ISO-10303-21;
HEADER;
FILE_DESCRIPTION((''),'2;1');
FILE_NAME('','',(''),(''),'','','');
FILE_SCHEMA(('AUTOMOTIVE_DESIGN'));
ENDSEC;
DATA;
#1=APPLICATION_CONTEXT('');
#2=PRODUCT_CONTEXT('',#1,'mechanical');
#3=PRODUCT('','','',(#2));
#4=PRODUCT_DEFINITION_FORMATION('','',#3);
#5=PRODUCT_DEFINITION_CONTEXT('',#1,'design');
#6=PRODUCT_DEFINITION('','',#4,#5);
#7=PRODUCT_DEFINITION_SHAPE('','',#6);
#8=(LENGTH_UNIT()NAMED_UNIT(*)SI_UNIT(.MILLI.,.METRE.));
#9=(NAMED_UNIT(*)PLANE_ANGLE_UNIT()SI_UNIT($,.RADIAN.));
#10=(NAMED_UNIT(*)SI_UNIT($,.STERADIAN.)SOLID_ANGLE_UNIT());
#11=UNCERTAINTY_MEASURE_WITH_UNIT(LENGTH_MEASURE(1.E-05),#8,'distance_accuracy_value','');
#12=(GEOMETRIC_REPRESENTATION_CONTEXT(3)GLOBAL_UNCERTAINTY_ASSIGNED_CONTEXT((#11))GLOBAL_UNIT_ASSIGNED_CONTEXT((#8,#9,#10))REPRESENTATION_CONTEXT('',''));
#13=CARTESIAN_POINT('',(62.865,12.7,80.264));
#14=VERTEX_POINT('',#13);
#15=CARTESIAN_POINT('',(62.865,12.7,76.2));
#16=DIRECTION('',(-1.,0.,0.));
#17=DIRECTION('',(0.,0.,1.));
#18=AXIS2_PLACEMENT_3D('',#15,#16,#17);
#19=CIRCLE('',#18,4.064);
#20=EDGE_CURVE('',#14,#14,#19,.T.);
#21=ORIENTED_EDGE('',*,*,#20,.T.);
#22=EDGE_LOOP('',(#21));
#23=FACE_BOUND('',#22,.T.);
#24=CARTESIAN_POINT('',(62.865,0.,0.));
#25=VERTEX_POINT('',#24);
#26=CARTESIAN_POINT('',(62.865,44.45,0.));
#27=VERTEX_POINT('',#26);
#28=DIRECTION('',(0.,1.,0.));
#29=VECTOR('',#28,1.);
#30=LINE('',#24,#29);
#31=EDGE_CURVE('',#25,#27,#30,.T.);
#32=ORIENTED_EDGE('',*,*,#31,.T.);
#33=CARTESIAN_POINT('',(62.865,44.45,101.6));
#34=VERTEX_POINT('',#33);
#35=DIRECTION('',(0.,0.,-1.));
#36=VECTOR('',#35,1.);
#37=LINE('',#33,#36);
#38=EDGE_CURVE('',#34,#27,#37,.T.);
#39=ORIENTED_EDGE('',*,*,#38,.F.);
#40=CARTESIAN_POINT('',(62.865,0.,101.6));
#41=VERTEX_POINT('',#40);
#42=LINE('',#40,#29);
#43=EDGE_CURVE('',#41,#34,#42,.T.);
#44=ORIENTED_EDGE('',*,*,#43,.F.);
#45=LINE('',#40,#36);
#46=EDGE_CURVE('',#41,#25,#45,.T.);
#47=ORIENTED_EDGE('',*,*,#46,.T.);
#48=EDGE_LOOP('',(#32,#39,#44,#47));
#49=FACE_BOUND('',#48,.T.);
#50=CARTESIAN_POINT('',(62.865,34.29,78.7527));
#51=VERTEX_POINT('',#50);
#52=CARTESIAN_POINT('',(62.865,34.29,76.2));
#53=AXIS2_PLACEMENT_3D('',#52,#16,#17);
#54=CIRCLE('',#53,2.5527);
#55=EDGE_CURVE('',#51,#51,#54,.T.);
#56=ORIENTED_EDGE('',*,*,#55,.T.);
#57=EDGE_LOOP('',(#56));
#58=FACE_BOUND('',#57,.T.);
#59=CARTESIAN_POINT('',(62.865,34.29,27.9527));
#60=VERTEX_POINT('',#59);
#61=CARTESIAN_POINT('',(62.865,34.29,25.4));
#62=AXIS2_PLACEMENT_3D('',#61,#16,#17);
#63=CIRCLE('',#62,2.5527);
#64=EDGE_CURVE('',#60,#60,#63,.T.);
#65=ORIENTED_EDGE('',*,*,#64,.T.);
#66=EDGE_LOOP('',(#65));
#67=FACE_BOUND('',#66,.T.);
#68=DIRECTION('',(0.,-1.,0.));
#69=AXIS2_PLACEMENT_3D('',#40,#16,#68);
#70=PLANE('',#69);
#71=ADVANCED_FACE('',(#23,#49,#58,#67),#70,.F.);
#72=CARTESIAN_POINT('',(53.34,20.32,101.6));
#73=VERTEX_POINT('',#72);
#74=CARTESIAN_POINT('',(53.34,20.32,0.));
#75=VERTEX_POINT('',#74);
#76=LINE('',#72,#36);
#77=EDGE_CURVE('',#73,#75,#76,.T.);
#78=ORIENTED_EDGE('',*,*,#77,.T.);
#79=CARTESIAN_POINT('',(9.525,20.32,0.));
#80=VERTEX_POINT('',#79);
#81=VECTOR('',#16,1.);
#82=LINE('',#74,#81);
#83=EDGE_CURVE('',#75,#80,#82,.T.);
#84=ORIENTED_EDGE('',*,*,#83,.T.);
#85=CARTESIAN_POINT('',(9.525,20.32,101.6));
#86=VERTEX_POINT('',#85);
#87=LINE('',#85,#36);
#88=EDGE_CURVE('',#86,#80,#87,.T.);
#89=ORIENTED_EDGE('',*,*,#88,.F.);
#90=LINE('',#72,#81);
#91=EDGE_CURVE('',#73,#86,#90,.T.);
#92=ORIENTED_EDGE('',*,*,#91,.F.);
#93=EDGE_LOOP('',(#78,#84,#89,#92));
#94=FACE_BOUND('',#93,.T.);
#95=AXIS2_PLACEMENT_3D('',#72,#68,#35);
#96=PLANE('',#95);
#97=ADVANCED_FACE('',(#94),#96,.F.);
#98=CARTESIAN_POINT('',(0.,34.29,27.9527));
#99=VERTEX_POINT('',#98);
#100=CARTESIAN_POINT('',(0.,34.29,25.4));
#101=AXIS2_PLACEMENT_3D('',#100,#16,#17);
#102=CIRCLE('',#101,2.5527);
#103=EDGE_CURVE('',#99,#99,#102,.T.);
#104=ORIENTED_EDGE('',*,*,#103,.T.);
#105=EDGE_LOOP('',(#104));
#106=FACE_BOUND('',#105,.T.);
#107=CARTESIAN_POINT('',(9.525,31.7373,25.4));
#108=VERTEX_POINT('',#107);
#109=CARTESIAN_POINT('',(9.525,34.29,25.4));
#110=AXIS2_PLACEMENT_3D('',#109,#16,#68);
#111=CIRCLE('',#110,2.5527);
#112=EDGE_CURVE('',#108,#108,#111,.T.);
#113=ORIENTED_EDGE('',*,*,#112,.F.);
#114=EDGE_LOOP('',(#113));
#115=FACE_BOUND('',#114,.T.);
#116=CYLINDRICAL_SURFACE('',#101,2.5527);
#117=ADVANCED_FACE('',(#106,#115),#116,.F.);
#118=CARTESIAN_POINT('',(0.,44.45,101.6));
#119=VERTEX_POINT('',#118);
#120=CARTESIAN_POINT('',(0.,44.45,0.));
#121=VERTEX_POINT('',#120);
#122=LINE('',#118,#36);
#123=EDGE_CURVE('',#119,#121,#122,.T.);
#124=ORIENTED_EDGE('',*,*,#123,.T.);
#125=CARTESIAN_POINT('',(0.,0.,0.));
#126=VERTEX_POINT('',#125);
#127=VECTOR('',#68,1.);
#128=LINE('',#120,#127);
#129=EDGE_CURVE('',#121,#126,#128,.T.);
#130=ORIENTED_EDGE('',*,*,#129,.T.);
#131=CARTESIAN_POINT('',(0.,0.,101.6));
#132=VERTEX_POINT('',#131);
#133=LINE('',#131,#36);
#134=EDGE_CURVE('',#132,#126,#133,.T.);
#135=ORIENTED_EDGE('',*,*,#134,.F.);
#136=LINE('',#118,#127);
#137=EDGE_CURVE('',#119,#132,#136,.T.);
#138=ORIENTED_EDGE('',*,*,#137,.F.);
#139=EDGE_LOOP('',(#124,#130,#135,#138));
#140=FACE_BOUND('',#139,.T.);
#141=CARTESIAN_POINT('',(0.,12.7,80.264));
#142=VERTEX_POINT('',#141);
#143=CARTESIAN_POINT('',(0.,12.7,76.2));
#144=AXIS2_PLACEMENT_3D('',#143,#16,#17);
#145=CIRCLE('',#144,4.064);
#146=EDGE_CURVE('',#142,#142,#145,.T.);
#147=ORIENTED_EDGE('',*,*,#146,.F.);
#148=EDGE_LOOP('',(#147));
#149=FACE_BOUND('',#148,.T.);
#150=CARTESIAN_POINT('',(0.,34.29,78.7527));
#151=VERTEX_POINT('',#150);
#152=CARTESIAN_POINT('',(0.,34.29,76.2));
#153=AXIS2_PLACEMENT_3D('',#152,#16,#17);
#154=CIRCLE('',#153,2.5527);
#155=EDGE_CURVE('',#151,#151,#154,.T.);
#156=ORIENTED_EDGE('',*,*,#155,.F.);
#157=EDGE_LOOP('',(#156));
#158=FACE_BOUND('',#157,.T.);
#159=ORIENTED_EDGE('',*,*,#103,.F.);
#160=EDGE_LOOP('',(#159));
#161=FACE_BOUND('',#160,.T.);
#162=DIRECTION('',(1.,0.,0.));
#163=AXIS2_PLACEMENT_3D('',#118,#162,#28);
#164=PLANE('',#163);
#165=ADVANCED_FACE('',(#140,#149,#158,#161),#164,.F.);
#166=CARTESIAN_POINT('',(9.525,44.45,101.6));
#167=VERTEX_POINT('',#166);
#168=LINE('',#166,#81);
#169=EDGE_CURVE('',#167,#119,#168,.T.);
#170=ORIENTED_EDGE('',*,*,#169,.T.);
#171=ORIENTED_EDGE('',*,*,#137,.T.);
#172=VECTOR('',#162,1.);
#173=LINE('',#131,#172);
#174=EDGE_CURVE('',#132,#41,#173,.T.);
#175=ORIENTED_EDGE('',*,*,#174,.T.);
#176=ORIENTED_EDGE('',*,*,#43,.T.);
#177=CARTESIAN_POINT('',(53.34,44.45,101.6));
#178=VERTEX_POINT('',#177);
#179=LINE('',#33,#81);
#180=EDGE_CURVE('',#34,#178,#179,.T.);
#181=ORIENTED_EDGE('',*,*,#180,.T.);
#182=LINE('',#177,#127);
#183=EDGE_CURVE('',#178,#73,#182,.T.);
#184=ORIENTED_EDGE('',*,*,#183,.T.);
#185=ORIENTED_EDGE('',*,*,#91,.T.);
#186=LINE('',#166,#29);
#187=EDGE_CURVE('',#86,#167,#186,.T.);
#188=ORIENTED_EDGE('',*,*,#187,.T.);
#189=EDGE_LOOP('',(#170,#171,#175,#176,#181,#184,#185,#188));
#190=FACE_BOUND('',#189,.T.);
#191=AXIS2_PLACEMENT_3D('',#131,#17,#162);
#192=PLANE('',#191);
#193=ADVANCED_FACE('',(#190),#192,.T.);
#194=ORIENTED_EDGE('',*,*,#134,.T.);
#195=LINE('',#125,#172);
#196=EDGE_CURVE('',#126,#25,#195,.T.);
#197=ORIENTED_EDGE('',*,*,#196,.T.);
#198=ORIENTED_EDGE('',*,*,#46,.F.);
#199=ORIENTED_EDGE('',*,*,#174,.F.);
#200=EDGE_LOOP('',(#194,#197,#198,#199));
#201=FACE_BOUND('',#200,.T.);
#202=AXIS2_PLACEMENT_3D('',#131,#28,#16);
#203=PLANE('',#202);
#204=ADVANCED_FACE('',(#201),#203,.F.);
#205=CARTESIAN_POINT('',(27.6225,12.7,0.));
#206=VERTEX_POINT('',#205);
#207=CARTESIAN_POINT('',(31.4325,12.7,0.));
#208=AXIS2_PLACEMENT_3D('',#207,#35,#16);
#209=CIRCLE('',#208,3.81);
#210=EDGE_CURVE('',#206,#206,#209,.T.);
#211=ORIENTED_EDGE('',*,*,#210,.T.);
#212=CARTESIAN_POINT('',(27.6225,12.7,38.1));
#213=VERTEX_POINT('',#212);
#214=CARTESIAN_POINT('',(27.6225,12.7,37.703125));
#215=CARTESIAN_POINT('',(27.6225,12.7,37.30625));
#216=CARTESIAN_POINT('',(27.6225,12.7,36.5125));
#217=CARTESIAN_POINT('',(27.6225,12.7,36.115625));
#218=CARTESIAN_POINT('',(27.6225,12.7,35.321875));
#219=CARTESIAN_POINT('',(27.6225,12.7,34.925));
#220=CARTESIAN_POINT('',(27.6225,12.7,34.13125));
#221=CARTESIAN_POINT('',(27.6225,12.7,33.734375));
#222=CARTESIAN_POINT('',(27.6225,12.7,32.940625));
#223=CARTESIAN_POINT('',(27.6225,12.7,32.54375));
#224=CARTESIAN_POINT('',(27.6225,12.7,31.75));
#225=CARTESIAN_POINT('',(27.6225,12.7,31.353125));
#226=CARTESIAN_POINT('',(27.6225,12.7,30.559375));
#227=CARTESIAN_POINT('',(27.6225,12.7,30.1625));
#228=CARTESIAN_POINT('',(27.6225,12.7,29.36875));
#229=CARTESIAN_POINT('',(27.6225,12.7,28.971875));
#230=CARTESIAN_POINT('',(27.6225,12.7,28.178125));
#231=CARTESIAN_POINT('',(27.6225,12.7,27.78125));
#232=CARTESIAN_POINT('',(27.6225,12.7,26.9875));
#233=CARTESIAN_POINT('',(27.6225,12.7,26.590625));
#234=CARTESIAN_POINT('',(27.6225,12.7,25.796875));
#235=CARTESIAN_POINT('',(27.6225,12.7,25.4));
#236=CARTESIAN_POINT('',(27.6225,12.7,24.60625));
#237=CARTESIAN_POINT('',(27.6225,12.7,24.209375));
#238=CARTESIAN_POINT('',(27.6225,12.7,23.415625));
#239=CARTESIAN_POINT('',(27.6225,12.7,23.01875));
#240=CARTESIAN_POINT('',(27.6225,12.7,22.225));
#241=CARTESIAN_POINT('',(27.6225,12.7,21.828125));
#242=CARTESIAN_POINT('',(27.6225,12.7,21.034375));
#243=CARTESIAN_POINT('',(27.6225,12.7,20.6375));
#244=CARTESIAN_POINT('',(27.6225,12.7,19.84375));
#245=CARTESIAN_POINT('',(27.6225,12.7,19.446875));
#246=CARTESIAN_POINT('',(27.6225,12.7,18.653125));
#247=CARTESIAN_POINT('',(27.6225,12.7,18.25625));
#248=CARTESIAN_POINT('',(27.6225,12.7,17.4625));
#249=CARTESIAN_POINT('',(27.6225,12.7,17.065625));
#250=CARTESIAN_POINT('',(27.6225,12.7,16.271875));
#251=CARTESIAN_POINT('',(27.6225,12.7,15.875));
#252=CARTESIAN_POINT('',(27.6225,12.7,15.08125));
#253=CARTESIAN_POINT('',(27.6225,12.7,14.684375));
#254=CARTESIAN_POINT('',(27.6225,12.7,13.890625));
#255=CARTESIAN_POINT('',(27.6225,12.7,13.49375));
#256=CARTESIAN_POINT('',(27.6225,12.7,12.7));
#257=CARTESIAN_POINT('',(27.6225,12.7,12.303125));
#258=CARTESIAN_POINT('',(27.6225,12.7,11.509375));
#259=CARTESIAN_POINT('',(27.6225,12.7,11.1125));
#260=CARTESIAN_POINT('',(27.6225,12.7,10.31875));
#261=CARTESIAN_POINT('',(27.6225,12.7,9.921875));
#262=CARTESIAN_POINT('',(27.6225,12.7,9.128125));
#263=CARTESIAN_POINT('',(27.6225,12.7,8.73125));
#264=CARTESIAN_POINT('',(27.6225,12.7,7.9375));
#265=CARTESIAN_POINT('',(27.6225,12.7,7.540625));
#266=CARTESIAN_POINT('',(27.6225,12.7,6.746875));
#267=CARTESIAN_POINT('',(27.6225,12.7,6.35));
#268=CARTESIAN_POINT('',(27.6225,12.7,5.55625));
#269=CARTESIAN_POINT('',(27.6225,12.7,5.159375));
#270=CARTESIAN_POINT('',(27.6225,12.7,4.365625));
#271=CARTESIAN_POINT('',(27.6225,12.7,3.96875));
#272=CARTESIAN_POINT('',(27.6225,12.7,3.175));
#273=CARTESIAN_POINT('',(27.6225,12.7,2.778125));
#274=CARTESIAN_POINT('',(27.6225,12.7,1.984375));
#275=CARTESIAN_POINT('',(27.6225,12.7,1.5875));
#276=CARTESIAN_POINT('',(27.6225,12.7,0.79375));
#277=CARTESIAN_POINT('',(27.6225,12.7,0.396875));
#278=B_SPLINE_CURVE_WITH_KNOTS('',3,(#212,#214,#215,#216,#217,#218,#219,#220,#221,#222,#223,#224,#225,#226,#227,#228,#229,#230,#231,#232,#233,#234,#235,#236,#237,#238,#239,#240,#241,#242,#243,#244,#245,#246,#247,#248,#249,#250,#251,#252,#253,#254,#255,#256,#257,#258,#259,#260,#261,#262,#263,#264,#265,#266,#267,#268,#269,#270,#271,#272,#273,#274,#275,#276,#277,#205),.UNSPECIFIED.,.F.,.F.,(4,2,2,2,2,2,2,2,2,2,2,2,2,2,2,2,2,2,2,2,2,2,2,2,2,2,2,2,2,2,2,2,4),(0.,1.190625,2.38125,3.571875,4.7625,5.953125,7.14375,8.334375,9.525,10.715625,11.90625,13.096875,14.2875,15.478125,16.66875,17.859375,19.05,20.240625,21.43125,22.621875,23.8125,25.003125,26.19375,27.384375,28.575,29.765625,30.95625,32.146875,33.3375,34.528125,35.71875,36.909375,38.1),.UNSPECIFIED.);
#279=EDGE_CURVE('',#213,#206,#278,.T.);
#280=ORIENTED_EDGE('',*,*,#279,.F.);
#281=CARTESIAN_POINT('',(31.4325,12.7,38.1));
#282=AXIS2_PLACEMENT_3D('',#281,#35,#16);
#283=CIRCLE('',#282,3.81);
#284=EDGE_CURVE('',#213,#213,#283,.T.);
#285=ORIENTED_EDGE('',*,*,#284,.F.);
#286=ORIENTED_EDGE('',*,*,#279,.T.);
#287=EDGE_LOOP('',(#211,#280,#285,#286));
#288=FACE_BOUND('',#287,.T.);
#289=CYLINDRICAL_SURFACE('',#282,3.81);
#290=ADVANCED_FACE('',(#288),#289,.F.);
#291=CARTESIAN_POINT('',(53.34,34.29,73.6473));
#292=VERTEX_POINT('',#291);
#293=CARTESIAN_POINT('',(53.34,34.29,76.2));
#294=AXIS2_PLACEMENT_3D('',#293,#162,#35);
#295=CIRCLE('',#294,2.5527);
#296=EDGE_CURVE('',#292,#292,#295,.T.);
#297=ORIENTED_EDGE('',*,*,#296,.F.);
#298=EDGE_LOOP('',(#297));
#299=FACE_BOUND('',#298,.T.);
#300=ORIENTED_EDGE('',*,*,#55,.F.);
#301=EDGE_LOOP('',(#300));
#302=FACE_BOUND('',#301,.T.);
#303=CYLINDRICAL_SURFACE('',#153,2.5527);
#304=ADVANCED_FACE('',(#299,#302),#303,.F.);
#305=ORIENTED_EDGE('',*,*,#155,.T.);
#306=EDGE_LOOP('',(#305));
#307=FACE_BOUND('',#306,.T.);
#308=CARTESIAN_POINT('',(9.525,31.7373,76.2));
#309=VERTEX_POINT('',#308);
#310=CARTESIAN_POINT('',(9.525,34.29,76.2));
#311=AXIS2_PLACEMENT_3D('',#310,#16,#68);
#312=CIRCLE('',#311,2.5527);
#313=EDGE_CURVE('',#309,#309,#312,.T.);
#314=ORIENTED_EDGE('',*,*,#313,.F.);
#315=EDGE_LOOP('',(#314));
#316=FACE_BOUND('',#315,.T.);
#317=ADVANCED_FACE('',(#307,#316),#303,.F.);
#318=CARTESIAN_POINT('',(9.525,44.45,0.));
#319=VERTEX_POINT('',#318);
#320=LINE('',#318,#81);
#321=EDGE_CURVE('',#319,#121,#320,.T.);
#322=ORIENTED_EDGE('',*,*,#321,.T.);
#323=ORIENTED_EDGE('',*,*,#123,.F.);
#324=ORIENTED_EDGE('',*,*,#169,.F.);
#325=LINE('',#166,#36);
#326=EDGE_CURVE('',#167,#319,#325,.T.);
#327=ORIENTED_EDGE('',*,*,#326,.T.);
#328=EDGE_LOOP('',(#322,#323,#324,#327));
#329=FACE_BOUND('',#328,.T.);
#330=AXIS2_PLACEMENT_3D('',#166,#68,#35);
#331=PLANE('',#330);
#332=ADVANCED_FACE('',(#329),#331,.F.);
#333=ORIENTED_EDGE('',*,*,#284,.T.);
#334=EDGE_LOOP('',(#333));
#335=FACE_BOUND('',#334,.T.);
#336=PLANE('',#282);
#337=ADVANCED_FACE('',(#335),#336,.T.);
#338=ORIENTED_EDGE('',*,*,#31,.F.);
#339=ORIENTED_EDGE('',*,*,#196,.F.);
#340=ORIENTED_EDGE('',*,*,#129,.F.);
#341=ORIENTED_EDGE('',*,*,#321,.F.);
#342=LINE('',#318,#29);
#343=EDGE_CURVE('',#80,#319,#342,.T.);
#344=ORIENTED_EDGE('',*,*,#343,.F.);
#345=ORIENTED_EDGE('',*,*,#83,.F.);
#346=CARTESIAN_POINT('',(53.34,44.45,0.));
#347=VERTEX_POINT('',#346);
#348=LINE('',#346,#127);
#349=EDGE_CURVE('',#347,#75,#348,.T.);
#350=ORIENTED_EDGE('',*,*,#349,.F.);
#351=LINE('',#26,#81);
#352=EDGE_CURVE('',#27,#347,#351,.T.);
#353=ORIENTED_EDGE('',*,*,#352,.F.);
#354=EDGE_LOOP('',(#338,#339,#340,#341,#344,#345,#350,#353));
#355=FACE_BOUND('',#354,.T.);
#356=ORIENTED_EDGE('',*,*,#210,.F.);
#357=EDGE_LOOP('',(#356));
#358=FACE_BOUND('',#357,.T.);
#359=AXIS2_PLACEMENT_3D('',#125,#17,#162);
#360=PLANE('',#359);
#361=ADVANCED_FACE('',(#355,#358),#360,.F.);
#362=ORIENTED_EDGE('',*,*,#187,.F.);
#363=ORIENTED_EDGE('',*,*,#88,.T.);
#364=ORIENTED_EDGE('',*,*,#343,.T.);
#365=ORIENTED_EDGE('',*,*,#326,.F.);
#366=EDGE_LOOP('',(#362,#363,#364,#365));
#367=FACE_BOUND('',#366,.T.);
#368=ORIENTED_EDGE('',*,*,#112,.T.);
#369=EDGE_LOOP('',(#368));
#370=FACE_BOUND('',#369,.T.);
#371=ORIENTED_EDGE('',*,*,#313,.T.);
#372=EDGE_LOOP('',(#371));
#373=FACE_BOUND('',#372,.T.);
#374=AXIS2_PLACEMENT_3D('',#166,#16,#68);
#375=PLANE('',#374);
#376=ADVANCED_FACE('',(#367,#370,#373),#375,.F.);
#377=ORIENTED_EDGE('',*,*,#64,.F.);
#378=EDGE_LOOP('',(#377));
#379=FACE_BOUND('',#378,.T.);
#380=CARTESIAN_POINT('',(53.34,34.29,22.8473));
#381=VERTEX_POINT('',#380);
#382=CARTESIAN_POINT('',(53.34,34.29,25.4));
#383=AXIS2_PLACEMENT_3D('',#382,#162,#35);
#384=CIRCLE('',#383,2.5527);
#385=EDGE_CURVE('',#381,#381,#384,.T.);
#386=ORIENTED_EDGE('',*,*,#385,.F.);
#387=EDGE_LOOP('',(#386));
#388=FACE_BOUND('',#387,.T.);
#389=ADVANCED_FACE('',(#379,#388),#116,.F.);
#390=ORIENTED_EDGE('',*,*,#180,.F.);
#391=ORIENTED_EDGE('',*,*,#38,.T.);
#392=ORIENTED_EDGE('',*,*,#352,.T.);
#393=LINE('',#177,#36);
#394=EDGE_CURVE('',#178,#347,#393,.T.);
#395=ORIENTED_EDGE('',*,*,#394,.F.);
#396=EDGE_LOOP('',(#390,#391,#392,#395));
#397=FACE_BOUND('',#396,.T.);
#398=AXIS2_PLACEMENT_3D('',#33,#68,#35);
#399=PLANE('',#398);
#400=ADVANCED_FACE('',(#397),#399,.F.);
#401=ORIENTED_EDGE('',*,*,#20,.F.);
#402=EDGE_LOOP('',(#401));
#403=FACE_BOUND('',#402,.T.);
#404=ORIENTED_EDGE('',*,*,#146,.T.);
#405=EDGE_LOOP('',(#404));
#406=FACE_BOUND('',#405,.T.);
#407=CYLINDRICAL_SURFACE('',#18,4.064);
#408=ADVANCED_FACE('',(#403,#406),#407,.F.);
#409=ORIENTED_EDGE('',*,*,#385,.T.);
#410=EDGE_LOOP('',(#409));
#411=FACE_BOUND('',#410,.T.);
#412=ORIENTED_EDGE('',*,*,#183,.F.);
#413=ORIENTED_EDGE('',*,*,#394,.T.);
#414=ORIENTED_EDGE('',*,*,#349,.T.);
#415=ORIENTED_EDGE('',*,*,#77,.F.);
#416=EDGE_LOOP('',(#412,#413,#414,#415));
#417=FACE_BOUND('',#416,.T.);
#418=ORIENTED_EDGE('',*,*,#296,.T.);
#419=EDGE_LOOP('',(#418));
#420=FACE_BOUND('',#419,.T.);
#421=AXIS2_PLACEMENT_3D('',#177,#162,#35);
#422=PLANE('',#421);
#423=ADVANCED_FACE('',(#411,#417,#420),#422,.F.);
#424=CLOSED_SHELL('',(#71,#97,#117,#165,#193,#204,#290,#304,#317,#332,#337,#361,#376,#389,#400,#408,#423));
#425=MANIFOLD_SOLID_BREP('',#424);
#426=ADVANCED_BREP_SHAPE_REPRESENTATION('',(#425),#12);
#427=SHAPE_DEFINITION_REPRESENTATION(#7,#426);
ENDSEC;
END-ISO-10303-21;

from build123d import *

# Parameters (mm, degrees)
BOSS_EXTRUDE1_DEPTH        = 101.6
F_7_0_201_DIAMETER_HOLE1_D = 5.1054
SKETCH5_R                  = 4.064
CUT_EXTRUDE2_DEPTH         = 128.476941935
SKETCH9_R                  = 3.81
CUT_EXTRUDE3_DEPTH         = 38.1


with BuildPart() as part:
    # Sketch1 → Boss-Extrude1 (new body)
    with BuildSketch(Plane.XY):
        Polygon((0, 0), (62.865, 0), (62.865, 44.45), (53.34, 44.45), (53.34, 20.32), (9.525, 20.32), (9.525, 44.45), (0, 44.45), align=None)
    extrude(amount=BOSS_EXTRUDE1_DEPTH)

    # #7 (0.201) Diameter Hole1 (through all)
    with Locations(Plane.ZY):
        with Locations((25.4, 34.29), (76.2, 34.29)):
            Hole(F_7_0_201_DIAMETER_HOLE1_D / 2)

    # Sketch5 → Cut-Extrude2 (cut, through all)
    with BuildSketch(Plane.ZY):
        with Locations((76.2, 12.7)):
            Circle(SKETCH5_R)
    extrude(amount=-CUT_EXTRUDE2_DEPTH, mode=Mode.SUBTRACT)

    # Sketch9 → Cut-Extrude3 (cut)
    with BuildSketch(Plane(origin=(0, 0, 0), x_dir=(-1, 0, 0), z_dir=(0, 0, -1))):
        with Locations((-31.4325, 12.7)):
            Circle(SKETCH9_R)
    extrude(amount=-CUT_EXTRUDE3_DEPTH, mode=Mode.SUBTRACT)


solid = part.part
